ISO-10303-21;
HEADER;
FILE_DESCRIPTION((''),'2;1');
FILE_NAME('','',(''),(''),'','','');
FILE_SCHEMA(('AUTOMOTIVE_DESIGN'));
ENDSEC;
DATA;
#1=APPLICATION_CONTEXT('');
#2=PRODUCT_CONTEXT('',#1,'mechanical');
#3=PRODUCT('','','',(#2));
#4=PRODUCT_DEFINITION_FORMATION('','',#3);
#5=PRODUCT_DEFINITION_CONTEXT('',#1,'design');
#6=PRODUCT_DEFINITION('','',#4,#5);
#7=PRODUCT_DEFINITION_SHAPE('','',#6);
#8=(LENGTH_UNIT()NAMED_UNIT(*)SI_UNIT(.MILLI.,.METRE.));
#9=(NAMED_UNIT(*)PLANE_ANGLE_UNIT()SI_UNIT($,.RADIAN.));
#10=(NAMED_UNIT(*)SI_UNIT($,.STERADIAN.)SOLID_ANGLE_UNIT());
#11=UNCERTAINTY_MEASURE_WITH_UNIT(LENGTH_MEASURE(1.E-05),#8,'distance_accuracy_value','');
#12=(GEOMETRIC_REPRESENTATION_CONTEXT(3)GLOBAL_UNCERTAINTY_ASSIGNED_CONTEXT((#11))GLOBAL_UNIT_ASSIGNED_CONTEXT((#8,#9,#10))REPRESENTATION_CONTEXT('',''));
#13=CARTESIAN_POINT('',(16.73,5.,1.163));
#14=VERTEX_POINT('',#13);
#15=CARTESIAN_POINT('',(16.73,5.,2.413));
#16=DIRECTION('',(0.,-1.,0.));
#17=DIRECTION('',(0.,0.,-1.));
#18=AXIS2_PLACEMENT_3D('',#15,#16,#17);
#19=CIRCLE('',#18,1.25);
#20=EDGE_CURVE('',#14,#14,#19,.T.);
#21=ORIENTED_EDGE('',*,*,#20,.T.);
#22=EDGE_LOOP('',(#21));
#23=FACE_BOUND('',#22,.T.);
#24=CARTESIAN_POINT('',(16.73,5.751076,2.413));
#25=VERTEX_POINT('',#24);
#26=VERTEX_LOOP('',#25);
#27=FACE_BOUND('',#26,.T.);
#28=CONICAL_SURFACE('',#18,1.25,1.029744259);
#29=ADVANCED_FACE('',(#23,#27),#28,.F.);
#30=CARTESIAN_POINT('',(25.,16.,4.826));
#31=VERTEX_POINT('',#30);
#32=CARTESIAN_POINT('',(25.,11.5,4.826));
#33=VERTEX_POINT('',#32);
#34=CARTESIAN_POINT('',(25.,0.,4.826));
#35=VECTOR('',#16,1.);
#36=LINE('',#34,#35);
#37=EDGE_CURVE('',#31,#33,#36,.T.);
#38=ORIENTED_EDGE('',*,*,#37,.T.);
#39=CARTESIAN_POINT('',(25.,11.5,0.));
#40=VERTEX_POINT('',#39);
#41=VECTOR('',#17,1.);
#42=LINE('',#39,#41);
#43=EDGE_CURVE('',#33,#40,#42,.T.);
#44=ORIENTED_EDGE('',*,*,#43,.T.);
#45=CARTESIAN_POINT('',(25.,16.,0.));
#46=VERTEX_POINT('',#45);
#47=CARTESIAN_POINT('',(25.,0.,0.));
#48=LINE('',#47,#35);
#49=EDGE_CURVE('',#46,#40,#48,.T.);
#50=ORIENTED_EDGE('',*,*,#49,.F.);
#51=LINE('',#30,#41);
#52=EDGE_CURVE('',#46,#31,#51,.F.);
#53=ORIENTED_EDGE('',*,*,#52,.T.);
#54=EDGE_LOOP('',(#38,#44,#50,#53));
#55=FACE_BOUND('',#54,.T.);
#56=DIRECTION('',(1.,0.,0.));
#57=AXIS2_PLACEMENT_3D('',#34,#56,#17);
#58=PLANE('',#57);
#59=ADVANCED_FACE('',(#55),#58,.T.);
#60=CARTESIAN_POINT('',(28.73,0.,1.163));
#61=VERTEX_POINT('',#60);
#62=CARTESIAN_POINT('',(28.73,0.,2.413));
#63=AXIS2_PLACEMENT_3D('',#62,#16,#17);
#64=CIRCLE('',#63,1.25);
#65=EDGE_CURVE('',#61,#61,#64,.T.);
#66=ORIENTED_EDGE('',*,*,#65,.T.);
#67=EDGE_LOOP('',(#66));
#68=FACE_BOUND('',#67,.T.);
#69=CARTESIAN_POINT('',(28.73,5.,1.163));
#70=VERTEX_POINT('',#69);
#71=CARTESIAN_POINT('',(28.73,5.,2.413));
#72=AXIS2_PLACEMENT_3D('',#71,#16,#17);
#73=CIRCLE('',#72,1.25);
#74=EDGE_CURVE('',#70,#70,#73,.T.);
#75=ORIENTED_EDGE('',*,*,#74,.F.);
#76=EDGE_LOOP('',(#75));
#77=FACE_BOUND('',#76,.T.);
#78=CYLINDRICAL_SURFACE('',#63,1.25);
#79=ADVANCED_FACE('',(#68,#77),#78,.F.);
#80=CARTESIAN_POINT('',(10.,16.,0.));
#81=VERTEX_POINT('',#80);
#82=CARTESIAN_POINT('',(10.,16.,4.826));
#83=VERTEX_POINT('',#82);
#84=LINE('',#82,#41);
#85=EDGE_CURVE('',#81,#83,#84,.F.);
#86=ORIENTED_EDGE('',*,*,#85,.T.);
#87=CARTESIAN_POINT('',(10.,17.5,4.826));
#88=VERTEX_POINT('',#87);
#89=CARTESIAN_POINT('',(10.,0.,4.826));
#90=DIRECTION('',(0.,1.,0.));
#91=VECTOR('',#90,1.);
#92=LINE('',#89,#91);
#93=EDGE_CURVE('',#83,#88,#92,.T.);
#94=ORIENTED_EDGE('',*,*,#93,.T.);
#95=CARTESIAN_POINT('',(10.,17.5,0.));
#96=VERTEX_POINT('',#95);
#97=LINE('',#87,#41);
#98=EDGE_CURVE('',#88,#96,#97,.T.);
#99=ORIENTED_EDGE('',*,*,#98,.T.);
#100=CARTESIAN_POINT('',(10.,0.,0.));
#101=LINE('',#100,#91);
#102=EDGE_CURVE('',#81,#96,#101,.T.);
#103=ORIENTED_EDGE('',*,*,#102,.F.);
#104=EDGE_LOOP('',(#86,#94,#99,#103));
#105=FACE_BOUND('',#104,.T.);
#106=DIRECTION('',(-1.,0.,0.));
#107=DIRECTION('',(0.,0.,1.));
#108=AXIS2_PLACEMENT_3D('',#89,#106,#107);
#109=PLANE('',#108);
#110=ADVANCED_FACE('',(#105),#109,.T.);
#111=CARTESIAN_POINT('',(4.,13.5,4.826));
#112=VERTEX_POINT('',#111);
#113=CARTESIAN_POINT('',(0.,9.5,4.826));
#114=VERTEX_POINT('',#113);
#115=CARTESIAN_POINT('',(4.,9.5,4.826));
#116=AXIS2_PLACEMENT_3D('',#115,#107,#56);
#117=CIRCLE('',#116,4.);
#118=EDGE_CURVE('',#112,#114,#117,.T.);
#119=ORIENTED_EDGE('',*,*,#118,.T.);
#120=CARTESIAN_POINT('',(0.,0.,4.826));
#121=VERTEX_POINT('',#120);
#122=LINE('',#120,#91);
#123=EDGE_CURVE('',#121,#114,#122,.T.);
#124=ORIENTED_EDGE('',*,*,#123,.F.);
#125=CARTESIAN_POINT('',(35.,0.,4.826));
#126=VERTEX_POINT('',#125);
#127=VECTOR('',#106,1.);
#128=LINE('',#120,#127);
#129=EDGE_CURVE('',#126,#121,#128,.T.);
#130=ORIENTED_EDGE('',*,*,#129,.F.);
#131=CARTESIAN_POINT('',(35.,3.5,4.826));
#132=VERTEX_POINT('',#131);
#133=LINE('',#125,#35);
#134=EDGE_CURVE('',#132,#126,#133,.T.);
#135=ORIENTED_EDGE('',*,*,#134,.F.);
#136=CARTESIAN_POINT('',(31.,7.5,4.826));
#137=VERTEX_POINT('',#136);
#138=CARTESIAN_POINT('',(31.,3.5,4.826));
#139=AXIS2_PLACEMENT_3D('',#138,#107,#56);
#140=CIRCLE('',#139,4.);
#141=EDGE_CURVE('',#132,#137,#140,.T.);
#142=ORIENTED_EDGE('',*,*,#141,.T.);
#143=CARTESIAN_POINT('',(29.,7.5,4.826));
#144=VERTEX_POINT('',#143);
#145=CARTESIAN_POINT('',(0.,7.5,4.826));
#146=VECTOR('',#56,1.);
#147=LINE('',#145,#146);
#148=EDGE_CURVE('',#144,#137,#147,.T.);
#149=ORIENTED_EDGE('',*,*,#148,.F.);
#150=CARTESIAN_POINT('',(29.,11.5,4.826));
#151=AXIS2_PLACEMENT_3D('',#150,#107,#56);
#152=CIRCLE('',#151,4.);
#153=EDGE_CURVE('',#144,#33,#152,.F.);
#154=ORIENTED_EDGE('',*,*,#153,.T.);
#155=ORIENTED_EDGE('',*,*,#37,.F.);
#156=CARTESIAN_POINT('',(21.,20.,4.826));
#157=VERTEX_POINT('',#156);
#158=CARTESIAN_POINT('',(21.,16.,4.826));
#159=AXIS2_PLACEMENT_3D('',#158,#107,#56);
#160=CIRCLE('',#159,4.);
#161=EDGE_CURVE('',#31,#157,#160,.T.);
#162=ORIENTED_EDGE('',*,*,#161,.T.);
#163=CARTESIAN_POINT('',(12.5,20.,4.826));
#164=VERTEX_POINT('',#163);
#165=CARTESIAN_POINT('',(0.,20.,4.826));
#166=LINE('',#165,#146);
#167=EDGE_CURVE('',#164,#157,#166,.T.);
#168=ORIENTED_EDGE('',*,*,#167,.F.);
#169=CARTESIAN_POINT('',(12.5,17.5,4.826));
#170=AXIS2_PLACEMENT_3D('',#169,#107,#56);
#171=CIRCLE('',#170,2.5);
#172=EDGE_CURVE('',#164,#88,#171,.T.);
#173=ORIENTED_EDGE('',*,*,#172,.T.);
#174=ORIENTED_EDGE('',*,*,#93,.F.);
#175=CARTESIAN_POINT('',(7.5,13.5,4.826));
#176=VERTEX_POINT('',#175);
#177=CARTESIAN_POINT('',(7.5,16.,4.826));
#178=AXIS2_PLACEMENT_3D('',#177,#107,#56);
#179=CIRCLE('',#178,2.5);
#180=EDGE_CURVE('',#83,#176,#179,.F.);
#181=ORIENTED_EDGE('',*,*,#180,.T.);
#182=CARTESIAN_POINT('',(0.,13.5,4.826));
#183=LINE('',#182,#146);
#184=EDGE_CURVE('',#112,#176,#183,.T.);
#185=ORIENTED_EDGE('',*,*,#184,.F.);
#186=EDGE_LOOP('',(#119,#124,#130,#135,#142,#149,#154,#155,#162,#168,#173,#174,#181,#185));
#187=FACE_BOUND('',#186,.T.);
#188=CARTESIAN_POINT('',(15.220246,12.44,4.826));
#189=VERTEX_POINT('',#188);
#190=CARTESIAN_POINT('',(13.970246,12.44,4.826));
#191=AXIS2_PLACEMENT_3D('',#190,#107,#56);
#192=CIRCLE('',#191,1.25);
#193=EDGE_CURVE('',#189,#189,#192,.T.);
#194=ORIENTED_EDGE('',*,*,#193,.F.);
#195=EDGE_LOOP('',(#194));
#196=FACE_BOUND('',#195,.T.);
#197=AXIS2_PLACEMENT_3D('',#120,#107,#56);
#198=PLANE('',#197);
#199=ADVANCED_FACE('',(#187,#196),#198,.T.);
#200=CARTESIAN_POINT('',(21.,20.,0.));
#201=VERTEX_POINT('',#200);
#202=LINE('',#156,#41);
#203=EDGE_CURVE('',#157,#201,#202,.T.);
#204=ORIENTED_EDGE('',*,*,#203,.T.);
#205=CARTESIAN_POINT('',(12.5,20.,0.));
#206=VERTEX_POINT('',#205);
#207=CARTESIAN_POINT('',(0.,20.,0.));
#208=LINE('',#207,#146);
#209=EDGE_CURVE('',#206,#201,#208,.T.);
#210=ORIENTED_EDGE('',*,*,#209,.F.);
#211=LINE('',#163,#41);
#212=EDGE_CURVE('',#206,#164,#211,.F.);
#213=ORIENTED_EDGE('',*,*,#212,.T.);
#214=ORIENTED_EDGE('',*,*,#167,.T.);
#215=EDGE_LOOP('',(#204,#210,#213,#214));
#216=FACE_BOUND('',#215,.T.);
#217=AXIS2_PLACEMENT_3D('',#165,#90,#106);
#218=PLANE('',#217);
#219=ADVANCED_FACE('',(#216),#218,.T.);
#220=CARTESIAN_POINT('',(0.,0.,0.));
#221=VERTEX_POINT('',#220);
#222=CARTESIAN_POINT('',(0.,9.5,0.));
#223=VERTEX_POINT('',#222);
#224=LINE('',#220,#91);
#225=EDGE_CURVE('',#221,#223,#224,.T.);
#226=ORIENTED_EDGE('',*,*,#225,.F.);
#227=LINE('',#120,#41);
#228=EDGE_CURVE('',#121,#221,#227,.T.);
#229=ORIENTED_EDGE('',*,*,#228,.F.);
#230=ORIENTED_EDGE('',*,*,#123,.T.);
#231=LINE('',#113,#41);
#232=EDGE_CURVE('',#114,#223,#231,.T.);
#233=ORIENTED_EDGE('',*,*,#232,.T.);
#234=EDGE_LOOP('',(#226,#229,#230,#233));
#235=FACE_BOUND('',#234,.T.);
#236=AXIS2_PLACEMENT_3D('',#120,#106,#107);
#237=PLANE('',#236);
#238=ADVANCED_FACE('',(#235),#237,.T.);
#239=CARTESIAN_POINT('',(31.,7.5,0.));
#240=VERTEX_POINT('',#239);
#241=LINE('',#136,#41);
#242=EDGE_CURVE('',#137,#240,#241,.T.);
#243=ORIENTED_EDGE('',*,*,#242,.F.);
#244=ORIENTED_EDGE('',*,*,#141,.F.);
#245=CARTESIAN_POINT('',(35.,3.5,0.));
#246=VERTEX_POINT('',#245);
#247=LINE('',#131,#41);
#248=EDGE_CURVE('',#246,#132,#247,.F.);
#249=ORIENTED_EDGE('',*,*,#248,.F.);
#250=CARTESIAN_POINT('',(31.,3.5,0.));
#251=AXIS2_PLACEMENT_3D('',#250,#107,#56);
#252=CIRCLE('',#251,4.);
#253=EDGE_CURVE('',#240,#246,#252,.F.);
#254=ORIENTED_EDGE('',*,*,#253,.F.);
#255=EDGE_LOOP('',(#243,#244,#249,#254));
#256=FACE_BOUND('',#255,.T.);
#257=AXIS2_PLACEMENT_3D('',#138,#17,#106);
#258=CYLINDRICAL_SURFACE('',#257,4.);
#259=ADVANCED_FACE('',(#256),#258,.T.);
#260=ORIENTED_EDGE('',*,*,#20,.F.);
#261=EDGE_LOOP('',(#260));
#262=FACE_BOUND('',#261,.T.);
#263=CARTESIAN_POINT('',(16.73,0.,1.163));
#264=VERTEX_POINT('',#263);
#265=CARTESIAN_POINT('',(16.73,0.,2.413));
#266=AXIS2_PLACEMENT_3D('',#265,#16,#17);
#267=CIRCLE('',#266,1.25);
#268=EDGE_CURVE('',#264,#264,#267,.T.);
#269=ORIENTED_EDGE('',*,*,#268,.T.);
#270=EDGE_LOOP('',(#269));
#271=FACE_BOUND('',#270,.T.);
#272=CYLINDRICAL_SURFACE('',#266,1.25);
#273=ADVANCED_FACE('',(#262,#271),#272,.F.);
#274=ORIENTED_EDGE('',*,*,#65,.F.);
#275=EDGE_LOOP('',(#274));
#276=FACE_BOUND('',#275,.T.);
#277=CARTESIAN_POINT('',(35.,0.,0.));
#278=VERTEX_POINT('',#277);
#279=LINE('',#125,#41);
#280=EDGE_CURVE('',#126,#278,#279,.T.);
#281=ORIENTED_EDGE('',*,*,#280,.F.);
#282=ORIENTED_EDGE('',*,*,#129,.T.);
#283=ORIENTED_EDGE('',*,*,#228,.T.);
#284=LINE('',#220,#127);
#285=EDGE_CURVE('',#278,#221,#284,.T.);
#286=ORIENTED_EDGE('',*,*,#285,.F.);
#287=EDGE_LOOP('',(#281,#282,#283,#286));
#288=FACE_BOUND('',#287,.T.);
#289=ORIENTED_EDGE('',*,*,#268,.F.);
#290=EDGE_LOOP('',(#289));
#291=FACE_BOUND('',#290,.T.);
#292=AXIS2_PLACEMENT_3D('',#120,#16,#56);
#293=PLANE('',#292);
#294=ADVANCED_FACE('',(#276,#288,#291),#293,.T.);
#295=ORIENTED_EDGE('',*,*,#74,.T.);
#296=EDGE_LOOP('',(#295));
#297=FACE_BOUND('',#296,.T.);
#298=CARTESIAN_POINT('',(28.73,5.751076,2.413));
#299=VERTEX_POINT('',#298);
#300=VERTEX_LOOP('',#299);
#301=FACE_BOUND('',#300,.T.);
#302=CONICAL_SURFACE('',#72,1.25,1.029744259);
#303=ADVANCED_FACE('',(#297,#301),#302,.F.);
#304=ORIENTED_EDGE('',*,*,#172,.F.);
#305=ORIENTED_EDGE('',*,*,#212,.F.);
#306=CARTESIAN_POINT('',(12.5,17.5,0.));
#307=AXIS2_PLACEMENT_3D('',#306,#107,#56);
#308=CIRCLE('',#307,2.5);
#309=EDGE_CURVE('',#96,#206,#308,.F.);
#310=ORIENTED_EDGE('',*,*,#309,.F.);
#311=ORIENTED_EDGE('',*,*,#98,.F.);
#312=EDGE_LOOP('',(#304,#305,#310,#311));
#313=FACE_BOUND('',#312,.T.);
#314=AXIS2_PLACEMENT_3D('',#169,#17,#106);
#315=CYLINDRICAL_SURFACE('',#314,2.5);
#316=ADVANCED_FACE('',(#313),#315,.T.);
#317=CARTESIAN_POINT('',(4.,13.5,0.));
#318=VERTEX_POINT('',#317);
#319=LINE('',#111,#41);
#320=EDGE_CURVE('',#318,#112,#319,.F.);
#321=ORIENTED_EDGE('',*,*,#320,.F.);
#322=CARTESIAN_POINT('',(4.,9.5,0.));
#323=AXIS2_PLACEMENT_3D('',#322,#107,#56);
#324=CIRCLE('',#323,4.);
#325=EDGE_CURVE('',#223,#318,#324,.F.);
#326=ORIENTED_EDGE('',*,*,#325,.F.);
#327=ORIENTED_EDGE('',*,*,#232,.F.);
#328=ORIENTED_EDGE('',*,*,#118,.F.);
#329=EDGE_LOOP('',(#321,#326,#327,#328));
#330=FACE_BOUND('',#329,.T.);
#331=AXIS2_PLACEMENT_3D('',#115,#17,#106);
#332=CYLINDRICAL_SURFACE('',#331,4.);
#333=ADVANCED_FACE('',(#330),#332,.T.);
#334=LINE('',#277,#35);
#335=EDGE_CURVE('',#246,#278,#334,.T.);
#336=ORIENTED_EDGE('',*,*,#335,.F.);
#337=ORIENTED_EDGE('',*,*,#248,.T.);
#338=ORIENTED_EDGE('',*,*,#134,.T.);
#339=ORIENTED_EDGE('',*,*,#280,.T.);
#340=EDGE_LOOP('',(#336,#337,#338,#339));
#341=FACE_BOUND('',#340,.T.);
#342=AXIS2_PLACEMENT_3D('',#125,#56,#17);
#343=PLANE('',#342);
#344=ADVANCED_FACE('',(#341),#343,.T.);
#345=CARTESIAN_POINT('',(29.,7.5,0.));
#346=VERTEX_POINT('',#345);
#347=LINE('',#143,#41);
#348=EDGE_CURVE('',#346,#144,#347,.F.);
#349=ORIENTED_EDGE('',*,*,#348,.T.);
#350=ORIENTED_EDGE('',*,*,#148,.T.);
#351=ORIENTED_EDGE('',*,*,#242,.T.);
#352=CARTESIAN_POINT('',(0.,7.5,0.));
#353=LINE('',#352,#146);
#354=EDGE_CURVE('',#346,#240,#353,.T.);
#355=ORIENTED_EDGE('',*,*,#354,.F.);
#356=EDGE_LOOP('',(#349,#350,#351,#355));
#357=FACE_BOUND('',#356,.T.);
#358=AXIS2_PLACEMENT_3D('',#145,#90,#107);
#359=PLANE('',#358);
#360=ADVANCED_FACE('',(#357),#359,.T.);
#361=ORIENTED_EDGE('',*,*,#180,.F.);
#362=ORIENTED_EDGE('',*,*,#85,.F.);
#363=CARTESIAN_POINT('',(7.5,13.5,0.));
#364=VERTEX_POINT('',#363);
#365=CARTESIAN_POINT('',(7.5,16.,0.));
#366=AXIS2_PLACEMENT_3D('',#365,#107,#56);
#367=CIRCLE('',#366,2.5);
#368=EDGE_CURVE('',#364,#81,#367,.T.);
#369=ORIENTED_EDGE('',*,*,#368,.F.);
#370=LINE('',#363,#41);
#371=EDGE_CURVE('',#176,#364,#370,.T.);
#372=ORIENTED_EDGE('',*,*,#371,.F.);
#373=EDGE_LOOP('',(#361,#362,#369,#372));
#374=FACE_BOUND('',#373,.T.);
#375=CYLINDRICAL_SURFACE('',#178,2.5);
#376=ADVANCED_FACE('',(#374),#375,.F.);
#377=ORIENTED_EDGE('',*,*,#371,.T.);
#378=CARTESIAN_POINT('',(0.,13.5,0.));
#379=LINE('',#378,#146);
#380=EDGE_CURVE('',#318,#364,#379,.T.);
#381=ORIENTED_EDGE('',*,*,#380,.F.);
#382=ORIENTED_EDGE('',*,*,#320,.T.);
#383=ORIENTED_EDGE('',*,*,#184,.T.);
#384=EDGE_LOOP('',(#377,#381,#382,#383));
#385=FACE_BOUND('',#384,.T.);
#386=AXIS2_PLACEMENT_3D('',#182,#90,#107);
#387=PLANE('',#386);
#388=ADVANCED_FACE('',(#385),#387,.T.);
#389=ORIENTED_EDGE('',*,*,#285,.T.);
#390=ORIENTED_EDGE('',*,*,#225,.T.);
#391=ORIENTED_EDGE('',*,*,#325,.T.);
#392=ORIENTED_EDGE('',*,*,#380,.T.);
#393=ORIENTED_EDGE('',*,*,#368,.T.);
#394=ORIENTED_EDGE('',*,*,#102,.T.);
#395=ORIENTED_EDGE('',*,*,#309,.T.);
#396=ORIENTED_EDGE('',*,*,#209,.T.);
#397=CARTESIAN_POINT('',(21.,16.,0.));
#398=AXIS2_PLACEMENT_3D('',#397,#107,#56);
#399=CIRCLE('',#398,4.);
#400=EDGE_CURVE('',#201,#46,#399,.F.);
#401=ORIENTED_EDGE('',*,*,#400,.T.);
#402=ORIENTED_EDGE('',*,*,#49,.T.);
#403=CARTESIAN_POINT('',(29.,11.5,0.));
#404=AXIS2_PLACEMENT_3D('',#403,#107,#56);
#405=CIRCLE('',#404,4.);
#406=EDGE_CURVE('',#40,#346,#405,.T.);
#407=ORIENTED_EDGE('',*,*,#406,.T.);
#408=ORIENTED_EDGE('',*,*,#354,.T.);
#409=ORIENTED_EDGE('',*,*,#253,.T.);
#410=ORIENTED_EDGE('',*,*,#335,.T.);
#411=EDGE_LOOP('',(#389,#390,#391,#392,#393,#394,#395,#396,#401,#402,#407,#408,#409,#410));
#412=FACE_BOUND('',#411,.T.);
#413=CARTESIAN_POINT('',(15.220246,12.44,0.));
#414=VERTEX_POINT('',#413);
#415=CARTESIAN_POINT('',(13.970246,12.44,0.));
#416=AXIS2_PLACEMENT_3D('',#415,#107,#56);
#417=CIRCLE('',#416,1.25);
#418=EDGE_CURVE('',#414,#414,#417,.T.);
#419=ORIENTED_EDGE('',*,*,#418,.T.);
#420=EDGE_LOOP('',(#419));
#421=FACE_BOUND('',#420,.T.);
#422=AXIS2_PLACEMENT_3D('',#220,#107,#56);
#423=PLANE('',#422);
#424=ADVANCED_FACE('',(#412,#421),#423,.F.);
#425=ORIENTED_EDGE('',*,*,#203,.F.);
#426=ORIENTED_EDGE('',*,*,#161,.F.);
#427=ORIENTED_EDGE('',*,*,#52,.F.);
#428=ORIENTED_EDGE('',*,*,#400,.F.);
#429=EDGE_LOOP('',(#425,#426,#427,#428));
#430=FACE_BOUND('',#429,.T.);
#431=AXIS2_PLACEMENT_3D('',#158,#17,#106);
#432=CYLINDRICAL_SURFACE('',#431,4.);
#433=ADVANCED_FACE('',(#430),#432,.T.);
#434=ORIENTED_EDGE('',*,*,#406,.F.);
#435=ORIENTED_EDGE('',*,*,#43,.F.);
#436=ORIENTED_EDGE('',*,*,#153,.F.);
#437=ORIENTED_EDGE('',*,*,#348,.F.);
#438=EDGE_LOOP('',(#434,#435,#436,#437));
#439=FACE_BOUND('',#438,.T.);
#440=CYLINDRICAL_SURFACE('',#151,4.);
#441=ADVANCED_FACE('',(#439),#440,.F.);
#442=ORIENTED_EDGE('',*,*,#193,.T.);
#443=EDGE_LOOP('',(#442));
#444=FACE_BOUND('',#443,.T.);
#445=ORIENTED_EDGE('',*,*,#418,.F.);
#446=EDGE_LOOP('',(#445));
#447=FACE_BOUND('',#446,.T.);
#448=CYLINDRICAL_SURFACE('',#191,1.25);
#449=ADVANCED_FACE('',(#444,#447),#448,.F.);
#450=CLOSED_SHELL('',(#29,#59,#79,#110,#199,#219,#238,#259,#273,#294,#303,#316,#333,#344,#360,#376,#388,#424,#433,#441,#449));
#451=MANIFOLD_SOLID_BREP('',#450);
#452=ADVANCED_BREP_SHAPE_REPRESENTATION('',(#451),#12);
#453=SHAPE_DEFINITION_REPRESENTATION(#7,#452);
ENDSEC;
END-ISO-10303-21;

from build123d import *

# Parameters (mm, degrees)
BOSS_EXTRUDE1_DEPTH       = 4.826
M3X0_5_TAPPED_HOLE2_D     = 2.5
M3X0_5_TAPPED_HOLE3_D     = 2.5
M3X0_5_TAPPED_HOLE3_DEPTH = 5
M3X0_5_TAPPED_HOLE3_TIP   = 0.751075774
FILLET1_R                 = 2.5
FILLET2_R                 = 4


with BuildPart() as part:
    # Sketch1 → Boss-Extrude1 (new body)
    with BuildSketch(Plane.XY):
        Polygon((0, 0), (0, 13.5), (10, 13.5), (10, 20), (25, 20), (25, 7.5), (35, 7.5), (35, 0), align=None)
    extrude(amount=BOSS_EXTRUDE1_DEPTH)

    # M3x0.5 Tapped Hole2 (through all)
    with Locations(Plane.XY.offset(4.826)):
        with Locations((13.97024649, 12.44)):
            Hole(M3X0_5_TAPPED_HOLE2_D / 2)

    # M3x0.5 Tapped Hole3
    with Locations(Plane(origin=(0, 0, 0), x_dir=(-1, 0, 0), z_dir=(0, -1, 0))):
        with Locations((-16.73, -2.413), (-28.73, -2.413)):
            Hole(M3X0_5_TAPPED_HOLE3_D / 2, depth=M3X0_5_TAPPED_HOLE3_DEPTH)
            with Locations((0, 0, -(M3X0_5_TAPPED_HOLE3_DEPTH + M3X0_5_TAPPED_HOLE3_TIP / 2))):  # 118° drill point
                Cone(0, M3X0_5_TAPPED_HOLE3_D / 2, M3X0_5_TAPPED_HOLE3_TIP, mode=Mode.SUBTRACT)

    # Fillet1
    fillet1_edges = [part.edges().sort_by_distance(p)[0] for p in [
        (10, 20, 2.413),
        (10, 13.5, 2.413),
    ]]
    fillet(fillet1_edges, radius=FILLET1_R)

    # Fillet2
    fillet2_edges = [part.edges().sort_by_distance(p)[0] for p in [
        (25, 20, 2.413),
        (25, 7.5, 2.413),
        (35, 7.5, 2.413),
        (0, 13.5, 2.413),
    ]]
    fillet(fillet2_edges, radius=FILLET2_R)


solid = part.part
